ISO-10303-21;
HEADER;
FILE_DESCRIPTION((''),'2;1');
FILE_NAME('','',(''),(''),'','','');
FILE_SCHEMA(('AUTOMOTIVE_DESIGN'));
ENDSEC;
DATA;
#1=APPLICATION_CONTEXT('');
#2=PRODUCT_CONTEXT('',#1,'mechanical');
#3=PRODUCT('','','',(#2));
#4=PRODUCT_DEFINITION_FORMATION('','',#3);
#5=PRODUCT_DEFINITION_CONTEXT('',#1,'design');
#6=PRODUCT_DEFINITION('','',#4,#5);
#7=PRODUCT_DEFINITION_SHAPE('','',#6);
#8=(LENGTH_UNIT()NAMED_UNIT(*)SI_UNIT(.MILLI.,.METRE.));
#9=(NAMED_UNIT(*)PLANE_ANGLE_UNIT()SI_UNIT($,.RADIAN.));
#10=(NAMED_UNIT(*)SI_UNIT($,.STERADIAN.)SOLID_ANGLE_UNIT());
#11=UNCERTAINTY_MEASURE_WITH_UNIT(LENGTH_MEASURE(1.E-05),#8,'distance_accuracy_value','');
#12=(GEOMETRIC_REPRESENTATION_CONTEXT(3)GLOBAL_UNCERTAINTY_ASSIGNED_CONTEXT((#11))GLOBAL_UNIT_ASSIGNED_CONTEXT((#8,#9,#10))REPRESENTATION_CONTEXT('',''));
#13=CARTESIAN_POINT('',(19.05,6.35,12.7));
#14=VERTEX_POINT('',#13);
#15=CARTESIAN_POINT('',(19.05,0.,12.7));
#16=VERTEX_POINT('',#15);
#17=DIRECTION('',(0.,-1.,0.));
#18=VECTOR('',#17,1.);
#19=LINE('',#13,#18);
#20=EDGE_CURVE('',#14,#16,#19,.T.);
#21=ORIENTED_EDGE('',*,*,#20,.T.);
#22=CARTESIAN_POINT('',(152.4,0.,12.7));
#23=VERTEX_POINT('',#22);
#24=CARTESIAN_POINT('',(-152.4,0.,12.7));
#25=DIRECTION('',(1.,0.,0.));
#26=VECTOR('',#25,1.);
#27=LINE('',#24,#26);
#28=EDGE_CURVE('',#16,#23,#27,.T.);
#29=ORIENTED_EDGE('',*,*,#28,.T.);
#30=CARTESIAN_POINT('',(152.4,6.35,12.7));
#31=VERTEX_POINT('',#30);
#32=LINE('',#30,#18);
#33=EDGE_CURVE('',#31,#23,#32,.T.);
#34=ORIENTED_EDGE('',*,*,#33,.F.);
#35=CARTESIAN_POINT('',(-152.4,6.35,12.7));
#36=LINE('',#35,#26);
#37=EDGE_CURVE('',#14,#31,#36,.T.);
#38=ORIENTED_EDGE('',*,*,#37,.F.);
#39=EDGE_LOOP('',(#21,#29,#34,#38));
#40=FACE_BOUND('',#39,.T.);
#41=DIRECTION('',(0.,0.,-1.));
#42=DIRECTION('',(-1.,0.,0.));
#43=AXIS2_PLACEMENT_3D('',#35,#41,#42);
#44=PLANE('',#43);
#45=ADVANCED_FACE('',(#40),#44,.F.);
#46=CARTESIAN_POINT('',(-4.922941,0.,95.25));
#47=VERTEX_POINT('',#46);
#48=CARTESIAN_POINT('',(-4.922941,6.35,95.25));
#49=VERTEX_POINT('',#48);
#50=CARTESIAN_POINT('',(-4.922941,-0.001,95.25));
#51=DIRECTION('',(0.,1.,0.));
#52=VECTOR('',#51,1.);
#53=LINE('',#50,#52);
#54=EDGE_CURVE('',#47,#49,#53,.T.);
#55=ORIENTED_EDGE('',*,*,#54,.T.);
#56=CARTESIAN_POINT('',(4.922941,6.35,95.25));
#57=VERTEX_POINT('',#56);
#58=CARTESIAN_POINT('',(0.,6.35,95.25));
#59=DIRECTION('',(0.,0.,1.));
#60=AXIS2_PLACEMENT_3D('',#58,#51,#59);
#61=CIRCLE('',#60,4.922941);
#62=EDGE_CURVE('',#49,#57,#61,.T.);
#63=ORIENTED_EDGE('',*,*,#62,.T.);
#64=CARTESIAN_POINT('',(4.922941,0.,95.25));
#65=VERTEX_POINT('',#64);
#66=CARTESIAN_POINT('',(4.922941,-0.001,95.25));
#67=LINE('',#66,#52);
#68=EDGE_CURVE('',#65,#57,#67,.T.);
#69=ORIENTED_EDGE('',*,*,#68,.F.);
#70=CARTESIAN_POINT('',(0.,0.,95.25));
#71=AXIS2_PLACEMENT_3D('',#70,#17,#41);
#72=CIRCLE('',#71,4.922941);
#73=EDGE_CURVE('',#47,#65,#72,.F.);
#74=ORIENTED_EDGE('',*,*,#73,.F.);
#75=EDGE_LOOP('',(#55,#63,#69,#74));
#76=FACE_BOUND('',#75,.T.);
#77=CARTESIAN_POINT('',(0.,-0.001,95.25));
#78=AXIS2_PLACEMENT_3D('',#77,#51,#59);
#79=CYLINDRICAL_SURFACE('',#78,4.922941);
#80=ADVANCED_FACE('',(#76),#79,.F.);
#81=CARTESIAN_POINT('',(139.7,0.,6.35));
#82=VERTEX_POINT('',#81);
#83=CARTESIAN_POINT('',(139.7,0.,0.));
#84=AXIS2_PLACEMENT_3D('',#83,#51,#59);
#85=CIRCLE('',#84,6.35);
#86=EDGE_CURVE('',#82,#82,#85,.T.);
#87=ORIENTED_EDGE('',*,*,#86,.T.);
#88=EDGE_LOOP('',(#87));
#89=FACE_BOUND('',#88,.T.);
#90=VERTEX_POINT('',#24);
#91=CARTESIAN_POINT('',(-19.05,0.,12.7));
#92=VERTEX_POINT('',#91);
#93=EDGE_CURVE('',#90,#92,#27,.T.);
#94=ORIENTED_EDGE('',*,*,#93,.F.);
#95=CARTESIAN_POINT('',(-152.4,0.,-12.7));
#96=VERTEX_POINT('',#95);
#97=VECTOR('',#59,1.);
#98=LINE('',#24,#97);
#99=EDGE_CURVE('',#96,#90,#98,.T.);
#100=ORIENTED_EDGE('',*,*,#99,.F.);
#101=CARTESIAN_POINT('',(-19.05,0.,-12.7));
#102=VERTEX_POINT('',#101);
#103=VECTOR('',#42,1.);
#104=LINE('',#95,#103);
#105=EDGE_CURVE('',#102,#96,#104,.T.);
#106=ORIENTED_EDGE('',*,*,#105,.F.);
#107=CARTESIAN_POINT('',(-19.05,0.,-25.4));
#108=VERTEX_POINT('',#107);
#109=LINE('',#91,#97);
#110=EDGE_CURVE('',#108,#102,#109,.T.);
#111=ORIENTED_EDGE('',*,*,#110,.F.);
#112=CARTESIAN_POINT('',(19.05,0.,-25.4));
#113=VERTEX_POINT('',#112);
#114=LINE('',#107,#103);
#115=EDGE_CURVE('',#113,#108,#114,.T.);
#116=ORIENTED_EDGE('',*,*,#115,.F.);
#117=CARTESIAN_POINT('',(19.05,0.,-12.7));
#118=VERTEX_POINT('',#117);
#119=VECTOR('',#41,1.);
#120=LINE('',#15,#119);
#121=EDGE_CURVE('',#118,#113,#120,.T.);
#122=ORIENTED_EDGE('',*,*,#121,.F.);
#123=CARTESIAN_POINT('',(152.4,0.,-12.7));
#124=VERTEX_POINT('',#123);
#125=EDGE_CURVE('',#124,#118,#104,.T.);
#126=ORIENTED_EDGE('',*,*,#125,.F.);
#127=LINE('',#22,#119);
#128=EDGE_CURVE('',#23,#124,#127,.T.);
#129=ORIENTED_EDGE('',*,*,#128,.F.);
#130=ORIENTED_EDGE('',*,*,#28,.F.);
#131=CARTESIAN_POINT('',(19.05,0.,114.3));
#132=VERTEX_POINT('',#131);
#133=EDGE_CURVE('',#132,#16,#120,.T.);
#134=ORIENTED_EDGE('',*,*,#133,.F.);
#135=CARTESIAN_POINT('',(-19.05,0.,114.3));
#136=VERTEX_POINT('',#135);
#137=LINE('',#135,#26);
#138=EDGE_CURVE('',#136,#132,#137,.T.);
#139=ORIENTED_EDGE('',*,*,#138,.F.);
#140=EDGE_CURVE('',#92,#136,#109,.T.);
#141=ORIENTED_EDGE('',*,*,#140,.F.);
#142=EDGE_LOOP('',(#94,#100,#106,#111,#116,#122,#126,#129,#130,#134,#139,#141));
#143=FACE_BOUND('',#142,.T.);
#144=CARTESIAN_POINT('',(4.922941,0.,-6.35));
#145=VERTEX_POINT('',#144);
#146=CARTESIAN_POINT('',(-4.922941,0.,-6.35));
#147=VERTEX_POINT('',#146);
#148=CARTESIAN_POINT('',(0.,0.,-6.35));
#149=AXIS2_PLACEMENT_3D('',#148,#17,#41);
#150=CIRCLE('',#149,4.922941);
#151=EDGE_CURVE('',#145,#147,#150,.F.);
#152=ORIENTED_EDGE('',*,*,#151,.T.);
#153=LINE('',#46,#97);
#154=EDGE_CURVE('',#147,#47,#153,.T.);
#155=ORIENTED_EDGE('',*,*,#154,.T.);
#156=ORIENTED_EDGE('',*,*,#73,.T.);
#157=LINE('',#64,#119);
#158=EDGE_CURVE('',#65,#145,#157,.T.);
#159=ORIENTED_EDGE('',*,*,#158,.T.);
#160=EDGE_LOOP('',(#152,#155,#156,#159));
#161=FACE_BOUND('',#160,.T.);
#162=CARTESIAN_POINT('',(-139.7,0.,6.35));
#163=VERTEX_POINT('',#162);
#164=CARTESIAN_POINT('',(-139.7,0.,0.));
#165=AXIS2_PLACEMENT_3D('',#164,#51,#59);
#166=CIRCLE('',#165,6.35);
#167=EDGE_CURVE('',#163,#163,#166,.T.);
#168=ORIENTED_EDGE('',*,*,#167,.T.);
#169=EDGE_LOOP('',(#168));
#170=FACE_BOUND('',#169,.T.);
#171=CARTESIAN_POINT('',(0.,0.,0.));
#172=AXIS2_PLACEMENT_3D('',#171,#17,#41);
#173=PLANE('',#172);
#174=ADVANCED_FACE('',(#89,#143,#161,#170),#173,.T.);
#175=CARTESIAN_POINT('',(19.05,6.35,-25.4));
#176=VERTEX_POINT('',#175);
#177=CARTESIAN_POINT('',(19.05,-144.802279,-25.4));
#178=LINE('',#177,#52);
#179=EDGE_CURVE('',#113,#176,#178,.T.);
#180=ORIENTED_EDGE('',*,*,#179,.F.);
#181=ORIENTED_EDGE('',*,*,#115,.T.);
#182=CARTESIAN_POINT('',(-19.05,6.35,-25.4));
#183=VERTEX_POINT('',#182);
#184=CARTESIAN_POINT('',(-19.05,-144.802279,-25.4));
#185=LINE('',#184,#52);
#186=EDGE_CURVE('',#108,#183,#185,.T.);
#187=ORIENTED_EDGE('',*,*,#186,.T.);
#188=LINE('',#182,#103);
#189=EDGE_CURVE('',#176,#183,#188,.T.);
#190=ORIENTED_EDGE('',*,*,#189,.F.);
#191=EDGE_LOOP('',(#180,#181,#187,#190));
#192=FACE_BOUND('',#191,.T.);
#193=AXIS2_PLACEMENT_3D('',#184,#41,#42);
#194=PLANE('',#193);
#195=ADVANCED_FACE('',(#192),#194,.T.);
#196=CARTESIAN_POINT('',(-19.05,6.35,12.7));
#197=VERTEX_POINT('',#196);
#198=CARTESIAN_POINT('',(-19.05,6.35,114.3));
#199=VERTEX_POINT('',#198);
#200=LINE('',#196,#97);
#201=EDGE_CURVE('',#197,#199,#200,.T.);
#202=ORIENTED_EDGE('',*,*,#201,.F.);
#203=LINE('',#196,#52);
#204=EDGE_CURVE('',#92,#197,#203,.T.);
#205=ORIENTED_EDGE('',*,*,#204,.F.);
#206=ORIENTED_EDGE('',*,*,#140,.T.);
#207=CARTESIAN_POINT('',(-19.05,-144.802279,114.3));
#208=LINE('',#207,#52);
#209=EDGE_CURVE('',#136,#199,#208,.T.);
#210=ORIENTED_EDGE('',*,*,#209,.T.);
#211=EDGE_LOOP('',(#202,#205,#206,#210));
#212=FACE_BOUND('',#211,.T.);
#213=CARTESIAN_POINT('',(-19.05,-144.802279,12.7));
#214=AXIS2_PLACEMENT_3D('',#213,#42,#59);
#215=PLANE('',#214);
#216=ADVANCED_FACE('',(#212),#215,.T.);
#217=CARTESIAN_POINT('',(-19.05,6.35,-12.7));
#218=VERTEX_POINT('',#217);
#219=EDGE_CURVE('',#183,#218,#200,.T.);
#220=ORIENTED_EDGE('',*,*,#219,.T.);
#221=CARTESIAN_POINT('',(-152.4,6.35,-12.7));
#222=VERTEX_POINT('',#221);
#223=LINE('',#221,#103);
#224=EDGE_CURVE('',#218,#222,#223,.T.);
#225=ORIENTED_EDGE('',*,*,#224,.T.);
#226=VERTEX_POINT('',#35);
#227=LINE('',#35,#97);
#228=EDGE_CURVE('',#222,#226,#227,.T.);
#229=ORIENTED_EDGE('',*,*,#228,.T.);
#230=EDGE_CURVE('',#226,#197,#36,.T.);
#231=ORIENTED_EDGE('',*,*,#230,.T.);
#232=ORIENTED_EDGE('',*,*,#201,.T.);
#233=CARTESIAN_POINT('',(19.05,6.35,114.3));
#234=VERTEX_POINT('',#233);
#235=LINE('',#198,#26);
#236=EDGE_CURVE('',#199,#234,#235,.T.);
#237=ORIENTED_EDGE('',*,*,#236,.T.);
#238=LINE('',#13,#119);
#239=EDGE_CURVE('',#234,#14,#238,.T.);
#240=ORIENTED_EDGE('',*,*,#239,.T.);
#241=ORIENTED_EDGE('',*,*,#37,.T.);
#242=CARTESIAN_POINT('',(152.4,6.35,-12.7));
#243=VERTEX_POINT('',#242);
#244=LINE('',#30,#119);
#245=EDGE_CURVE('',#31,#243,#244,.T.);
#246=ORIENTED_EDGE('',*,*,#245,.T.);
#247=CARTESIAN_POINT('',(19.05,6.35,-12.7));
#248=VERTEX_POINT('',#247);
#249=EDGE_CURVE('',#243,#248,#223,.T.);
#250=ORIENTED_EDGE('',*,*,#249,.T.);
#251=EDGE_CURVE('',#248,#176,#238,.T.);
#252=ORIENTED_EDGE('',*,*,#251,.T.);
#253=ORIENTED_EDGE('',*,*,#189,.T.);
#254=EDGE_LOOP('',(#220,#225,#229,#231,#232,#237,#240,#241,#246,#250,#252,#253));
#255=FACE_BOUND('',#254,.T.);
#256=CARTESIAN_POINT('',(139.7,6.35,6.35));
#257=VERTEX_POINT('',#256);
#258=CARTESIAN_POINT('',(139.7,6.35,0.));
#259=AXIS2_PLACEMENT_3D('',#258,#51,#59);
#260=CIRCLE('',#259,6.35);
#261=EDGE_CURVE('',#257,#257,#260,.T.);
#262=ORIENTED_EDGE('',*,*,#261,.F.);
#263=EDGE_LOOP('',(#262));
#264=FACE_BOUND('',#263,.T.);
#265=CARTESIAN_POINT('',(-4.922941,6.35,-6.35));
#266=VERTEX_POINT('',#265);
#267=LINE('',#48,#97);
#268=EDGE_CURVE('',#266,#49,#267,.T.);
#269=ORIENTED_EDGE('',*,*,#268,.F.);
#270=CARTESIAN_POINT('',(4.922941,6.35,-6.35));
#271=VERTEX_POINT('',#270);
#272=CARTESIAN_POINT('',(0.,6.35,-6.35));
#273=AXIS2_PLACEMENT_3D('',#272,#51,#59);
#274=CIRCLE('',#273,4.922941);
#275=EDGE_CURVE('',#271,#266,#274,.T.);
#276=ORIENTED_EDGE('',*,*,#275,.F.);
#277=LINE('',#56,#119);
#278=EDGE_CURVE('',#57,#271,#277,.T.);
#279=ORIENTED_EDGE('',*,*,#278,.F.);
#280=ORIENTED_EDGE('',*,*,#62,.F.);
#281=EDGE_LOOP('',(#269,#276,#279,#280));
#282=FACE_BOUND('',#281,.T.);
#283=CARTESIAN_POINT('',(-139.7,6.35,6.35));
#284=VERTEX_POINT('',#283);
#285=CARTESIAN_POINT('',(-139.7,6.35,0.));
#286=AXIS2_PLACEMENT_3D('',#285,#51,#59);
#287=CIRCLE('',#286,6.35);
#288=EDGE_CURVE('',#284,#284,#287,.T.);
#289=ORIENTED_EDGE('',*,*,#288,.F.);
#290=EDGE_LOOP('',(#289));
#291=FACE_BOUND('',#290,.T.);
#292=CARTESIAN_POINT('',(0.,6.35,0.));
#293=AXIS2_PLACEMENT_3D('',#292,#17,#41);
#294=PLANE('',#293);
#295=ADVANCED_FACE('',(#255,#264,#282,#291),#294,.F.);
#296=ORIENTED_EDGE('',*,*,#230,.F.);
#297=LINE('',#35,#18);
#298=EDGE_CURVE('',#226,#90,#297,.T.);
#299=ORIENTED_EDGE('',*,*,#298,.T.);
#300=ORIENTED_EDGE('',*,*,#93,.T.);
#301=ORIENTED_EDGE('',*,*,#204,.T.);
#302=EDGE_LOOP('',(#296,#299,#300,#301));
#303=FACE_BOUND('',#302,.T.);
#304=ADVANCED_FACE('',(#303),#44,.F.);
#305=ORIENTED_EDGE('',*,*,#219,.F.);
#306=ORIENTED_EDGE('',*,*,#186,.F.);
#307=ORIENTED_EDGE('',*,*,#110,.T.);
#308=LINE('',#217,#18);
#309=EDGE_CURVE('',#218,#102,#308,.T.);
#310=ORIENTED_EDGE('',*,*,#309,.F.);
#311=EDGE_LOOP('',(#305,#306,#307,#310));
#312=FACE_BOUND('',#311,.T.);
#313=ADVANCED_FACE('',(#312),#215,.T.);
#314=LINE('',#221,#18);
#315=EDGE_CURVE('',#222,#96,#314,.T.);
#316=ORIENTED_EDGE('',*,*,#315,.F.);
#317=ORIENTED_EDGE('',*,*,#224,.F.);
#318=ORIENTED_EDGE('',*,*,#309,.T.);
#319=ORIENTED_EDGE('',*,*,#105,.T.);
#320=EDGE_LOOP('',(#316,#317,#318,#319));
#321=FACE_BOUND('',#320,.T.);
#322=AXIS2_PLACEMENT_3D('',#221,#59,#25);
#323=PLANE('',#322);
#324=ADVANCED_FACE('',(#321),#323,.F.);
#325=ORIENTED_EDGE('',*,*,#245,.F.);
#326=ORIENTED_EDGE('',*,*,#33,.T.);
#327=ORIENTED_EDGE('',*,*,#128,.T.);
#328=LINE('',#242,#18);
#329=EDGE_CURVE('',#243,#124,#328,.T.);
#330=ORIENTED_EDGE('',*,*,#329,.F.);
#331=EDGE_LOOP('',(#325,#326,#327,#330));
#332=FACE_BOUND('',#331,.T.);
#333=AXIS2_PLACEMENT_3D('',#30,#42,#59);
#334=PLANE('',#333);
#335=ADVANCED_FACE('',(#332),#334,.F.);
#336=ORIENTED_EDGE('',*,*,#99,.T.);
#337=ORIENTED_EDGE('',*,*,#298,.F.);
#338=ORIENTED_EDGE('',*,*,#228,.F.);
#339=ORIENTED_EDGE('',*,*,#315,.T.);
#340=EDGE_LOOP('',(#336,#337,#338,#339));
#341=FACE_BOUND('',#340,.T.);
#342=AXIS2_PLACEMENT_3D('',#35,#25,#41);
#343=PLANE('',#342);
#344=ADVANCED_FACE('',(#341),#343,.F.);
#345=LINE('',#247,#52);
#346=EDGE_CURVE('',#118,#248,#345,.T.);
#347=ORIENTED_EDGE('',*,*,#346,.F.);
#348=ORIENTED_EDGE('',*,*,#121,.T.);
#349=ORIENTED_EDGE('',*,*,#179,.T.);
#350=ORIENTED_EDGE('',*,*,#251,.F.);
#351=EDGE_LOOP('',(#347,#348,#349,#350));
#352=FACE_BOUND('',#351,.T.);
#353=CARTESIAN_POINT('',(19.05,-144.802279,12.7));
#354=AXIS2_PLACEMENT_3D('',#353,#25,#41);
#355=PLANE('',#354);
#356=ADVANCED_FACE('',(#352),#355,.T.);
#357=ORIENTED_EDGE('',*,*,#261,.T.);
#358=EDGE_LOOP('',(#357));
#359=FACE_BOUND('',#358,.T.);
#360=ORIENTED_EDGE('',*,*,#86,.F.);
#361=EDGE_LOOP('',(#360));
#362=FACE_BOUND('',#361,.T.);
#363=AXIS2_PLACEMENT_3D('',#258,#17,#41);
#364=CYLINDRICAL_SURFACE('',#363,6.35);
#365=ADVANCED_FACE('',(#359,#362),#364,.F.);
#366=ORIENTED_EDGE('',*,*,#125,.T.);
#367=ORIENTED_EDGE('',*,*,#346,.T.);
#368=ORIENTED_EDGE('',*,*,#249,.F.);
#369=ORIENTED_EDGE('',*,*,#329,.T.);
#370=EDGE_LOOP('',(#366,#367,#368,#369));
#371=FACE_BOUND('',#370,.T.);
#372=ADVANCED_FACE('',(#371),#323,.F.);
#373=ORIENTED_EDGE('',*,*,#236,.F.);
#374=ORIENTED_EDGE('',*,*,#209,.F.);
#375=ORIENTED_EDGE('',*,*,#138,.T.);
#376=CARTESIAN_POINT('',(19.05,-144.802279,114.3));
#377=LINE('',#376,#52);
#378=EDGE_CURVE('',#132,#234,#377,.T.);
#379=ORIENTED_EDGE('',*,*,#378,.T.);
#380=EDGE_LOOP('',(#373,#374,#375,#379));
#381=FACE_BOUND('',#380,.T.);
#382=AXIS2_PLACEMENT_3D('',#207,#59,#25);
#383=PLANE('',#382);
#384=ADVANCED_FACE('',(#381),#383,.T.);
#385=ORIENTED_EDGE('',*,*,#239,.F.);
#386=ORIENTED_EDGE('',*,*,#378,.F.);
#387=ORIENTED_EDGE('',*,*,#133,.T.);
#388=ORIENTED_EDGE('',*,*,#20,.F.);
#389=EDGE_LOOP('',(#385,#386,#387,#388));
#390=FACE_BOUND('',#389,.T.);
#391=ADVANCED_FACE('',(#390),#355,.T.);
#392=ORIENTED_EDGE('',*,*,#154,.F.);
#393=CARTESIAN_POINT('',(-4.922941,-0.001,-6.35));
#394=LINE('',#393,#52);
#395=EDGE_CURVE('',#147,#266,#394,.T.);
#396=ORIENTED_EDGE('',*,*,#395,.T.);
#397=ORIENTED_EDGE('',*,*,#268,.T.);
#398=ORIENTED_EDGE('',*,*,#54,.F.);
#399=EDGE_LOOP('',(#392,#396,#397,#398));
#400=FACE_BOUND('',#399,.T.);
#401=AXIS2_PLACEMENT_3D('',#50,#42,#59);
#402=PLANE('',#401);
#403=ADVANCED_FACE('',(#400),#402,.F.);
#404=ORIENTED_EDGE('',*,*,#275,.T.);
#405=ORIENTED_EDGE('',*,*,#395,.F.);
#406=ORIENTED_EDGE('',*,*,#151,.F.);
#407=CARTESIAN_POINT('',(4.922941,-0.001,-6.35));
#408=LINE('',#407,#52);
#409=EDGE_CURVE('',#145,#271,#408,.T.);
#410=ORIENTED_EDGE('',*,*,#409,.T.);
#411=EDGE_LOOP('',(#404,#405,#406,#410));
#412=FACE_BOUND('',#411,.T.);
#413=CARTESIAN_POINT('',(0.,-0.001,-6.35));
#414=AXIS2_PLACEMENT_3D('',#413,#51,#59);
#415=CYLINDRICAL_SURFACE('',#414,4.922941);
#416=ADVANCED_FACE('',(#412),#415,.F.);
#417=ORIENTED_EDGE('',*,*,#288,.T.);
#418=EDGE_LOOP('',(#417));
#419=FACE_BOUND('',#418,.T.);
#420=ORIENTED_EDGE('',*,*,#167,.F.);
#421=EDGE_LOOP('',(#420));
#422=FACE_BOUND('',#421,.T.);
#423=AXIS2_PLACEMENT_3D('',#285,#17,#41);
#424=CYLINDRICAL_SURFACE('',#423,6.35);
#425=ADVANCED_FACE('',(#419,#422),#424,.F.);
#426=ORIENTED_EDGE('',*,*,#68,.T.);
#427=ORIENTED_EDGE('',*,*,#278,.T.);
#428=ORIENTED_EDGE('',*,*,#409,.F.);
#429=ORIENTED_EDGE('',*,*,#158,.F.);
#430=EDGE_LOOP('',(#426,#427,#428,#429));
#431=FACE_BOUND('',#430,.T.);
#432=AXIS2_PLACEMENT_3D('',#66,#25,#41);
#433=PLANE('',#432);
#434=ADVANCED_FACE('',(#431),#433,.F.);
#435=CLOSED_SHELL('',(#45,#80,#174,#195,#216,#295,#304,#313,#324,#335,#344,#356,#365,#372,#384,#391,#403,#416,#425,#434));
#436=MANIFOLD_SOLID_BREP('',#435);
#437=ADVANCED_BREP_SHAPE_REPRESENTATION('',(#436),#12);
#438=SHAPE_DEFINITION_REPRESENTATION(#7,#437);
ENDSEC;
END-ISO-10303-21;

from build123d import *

# Parameters (mm, degrees)
SKETCH1_W           = 304.8
SKETCH1_H           = 25.4
SKETCH1_R           = 6.35
BOSS_EXTRUDE1_DEPTH = 6.35
BOSS_EXTRUDE2_DEPTH = 6.35
CUT_EXTRUDE1_REACH  = 192.606


with BuildPart() as part:
    # Sketch1 → Boss-Extrude1 (new body)
    with BuildSketch(Plane(origin=(0, 0, 0), x_dir=(1, 0, 0), z_dir=(0, 1, 0))):
        Rectangle(SKETCH1_W, SKETCH1_H)
        with Locations(Location((-139.7, 0, 0), (0, 0, 270))):
            Circle(SKETCH1_R, mode=Mode.SUBTRACT)
        with Locations(Location((139.7, 0, 0), (0, 0, 270))):
            Circle(SKETCH1_R, mode=Mode.SUBTRACT)
    extrude(amount=BOSS_EXTRUDE1_DEPTH)

    # Sketch2 → Boss-Extrude2 (add)
    with BuildSketch(Plane(origin=(0, 6.35, 0), x_dir=(1, 0, 0), z_dir=(0, 1, 0))):
        Polygon((-19.05, -12.7), (-19.05, -114.3), (19.05, -114.3), (19.05, -12.7), (19.05, 25.4), (-19.05, 25.4), align=None)
    extrude(amount=-BOSS_EXTRUDE2_DEPTH)

    # Sketch3 → Cut-Extrude1 (cut, up to next)
    with BuildSketch(Plane(origin=(0, 6.35, 0), x_dir=(1, 0, 0), z_dir=(0, 1, 0)), mode=Mode.PRIVATE) as cut_extrude1_sk1:
        with BuildLine():
            Line((-4.922940563, -95.25), (-4.922940563, 6.35))
            ThreePointArc((-4.922940563, 6.35), (0, 11.272940563), (4.922940563, 6.35))
            Line((4.922940563, 6.35), (4.922940563, -95.25))
            ThreePointArc((4.922940563, -95.25), (0, -100.172940563), (-4.922940563, -95.25))
        make_face()
    cut_extrude1_tool1 = extrude(cut_extrude1_sk1.sketch, amount=-CUT_EXTRUDE1_REACH, mode=Mode.PRIVATE) & part.part
    add(cut_extrude1_tool1.solids().sort_by_distance((0, 6.35, 44.45))[0], mode=Mode.SUBTRACT)


solid = part.part
